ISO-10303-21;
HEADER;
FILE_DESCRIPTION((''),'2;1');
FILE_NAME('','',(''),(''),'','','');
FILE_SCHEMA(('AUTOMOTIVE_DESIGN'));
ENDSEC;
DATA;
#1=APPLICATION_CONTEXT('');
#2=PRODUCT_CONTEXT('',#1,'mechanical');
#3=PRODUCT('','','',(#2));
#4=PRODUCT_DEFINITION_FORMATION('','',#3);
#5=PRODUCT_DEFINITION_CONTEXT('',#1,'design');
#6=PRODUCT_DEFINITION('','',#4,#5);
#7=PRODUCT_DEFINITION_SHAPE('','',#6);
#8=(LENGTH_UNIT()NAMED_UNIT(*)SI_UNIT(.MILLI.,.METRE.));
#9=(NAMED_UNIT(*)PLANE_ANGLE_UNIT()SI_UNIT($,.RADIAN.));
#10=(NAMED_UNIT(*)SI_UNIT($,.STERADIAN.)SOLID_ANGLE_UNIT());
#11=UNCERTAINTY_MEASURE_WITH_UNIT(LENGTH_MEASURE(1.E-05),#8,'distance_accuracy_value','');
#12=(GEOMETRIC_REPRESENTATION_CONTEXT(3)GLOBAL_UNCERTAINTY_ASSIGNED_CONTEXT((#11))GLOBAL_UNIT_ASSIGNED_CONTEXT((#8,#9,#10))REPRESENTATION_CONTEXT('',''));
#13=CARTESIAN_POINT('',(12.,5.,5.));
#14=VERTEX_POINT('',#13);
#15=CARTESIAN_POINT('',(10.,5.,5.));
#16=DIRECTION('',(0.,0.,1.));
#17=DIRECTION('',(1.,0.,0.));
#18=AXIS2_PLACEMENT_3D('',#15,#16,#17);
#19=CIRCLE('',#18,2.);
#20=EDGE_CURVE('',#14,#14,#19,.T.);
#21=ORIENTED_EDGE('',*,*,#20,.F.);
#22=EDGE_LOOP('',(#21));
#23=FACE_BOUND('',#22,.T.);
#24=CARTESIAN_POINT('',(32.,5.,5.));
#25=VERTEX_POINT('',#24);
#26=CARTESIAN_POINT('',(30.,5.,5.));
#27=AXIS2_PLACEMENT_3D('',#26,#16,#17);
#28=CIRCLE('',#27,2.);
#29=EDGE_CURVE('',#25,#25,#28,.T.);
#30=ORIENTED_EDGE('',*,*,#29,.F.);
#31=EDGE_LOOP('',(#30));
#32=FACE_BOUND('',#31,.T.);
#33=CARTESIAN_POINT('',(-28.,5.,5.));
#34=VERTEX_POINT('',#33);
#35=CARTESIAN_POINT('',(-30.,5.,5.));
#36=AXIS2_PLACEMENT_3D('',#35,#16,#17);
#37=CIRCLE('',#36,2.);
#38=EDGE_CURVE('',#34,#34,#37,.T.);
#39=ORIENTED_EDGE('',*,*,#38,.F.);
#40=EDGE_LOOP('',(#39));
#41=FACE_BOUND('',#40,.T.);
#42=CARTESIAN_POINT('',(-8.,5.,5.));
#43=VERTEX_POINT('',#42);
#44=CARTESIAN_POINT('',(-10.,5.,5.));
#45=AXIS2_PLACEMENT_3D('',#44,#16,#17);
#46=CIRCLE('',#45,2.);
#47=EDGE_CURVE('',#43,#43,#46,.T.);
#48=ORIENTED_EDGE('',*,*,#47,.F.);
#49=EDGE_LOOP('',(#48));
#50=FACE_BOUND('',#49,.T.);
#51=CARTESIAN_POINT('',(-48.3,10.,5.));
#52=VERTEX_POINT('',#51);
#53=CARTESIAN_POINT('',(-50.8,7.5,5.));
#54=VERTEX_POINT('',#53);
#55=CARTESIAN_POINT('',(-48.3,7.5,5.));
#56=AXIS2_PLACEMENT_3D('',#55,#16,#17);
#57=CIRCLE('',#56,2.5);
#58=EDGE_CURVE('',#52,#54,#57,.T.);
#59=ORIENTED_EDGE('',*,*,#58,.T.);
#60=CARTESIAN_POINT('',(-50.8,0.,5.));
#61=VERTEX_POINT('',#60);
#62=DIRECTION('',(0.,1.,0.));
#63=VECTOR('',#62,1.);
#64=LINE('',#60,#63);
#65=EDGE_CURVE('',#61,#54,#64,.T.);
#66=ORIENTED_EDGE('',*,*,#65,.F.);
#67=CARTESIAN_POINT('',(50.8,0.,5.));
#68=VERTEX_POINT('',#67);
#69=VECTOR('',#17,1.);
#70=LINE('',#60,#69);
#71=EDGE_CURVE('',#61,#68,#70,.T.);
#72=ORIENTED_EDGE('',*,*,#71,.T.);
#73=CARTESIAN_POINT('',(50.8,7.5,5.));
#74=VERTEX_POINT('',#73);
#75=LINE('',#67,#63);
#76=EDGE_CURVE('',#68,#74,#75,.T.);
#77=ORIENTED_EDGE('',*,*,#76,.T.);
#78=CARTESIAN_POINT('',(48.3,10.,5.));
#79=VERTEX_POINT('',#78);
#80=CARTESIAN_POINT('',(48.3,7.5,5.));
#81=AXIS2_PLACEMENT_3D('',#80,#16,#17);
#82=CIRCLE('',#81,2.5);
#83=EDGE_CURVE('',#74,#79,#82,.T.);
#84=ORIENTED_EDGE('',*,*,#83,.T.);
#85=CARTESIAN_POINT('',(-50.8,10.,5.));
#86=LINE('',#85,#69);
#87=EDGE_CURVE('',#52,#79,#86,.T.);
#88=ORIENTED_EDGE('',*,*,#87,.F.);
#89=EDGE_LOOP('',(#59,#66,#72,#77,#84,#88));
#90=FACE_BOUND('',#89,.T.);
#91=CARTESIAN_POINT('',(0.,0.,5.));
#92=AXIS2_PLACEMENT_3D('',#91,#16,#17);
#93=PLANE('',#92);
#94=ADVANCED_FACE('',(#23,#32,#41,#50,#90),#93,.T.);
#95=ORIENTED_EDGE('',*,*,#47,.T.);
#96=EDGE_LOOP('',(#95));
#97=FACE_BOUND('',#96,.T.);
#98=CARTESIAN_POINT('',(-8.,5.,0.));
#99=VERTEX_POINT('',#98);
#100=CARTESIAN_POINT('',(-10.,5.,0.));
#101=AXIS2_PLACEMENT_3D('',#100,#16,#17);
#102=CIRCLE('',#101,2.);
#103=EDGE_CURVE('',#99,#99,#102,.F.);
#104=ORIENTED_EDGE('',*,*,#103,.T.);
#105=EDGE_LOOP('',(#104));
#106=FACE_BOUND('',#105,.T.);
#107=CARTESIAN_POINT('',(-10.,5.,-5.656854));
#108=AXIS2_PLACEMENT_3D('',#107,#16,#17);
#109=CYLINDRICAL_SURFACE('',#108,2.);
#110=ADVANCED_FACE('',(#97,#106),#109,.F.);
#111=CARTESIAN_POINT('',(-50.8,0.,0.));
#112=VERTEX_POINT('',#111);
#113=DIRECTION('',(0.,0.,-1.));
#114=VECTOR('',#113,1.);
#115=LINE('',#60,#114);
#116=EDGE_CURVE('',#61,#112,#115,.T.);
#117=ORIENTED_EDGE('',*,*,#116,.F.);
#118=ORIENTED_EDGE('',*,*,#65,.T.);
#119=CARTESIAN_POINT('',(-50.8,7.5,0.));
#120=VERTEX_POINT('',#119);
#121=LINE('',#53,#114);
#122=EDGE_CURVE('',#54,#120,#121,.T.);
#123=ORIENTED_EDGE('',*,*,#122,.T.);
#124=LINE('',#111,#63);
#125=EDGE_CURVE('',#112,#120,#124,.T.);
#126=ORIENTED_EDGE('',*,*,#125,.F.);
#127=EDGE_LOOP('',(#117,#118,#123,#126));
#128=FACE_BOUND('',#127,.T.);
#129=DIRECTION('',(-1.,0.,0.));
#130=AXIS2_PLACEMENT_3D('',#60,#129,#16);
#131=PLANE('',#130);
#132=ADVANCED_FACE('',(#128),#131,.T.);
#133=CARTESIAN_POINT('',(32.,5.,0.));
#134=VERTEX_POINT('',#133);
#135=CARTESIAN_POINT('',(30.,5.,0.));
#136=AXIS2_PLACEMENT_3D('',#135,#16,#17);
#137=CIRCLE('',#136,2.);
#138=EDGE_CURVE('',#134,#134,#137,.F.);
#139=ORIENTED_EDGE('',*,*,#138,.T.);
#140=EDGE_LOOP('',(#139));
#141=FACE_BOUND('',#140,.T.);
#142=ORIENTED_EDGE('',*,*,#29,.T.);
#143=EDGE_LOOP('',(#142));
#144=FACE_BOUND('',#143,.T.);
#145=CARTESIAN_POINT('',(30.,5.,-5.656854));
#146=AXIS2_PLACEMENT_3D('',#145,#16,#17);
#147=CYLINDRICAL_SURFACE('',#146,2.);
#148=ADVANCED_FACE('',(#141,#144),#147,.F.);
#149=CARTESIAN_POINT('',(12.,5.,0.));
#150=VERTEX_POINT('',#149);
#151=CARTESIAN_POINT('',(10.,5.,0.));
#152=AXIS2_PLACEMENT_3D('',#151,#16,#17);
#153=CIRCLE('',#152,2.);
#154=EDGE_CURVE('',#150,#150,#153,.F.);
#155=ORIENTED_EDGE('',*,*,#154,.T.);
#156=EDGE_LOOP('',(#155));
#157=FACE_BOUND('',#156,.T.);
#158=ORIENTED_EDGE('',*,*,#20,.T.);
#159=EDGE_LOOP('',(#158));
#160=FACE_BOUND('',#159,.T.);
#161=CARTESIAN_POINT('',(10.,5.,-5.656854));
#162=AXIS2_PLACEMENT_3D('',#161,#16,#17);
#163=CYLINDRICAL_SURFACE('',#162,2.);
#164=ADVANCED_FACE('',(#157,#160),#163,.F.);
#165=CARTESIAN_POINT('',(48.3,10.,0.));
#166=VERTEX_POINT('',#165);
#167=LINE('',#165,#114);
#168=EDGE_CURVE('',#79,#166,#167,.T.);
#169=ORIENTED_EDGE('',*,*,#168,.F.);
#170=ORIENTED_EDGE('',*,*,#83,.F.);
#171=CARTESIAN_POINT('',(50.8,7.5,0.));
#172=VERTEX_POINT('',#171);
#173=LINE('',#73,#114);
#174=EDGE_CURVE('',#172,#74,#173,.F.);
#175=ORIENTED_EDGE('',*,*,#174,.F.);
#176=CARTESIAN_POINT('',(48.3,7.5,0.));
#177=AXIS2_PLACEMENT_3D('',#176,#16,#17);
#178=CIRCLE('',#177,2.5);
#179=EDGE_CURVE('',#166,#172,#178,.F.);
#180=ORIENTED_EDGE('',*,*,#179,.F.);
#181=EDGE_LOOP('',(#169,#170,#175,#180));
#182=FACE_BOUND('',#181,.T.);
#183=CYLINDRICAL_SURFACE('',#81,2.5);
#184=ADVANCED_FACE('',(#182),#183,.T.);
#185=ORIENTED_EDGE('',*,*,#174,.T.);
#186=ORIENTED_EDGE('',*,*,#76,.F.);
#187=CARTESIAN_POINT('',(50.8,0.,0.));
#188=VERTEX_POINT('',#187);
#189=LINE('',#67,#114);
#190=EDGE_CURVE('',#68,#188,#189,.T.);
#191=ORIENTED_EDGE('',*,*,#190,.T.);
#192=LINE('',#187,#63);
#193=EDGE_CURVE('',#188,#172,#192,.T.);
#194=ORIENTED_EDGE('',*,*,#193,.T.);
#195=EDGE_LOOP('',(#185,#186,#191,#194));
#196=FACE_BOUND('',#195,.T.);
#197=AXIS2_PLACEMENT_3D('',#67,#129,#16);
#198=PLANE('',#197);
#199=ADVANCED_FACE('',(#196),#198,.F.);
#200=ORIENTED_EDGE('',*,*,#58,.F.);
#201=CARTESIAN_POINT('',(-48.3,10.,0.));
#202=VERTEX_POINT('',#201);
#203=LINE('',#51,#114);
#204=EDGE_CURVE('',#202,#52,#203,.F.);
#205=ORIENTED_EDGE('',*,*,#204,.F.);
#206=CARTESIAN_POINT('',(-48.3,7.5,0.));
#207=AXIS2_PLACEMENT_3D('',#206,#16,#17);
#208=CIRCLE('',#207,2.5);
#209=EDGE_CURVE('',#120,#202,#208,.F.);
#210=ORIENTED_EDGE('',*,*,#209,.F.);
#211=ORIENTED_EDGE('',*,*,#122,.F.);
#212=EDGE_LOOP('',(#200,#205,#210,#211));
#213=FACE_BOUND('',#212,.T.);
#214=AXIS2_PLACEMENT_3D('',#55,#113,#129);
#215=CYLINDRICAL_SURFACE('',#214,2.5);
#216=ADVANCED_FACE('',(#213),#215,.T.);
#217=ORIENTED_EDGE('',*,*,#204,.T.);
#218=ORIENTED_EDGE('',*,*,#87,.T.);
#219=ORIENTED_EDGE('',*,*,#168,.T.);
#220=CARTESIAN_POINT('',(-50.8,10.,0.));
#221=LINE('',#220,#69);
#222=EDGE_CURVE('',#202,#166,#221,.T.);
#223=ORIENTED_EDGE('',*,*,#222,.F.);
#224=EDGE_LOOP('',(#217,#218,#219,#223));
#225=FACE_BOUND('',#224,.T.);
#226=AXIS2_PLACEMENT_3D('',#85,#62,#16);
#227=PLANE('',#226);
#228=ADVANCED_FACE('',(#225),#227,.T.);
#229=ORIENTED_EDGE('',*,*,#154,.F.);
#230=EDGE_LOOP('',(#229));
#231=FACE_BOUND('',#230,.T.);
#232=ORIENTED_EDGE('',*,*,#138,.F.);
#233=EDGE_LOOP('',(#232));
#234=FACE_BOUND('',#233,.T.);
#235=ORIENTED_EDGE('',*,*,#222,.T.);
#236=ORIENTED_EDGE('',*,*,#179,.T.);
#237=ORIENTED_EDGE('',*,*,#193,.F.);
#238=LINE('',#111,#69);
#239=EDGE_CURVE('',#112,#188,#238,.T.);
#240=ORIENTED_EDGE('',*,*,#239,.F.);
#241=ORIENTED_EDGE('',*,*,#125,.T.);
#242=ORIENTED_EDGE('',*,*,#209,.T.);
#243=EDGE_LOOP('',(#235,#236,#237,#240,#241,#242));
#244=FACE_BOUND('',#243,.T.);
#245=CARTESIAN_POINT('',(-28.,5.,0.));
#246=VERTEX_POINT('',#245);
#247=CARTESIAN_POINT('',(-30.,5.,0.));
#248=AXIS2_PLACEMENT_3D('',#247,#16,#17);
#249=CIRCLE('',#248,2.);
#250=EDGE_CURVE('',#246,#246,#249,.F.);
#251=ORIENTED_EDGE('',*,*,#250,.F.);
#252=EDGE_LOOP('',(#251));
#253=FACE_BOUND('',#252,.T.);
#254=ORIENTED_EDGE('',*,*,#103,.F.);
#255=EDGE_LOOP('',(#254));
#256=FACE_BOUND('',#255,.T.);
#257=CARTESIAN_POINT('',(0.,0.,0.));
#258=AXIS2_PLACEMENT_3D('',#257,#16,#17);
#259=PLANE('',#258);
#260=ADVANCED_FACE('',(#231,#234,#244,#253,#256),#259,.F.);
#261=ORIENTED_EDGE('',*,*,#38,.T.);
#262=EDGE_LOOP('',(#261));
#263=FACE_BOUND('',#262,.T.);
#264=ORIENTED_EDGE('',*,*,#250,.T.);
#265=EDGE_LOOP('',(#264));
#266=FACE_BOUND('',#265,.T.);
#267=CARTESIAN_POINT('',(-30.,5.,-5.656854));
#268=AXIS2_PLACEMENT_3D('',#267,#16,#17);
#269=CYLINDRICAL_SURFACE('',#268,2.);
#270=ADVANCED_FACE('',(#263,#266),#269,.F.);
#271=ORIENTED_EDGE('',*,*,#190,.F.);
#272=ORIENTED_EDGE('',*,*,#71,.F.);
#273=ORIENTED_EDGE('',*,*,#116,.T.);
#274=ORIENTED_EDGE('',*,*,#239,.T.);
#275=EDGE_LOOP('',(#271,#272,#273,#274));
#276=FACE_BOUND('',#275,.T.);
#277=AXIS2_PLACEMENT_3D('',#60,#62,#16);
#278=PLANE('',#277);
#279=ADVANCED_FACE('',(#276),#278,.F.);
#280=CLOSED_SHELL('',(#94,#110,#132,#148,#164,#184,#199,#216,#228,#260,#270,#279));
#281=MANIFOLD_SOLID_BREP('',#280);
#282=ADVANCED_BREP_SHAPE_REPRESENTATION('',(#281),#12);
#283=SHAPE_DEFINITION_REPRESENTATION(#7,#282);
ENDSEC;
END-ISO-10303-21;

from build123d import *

# Parameters (mm, degrees)
SKETCH1_W           = 101.6
SKETCH1_H           = 10
BOSS_EXTRUDE1_DEPTH = 5
SKETCH2_R           = 2
CUT_EXTRUDE1_DEPTH  = 5
FILLET1_R           = 2.5


with BuildPart() as part:
    # Sketch1 → Boss-Extrude1 (new body)
    with BuildSketch(Plane.XY):
        with Locations((0, 5)):
            Rectangle(SKETCH1_W, SKETCH1_H)
    extrude(amount=BOSS_EXTRUDE1_DEPTH)

    # Sketch2 → Cut-Extrude1 (cut)
    with BuildSketch(Plane.XY.offset(5)):
        with Locations((-30, 5)):
            Circle(SKETCH2_R)
        with Locations((-10, 5)):
            Circle(SKETCH2_R)
        with Locations((10, 5)):
            Circle(SKETCH2_R)
        with Locations((30, 5)):
            Circle(SKETCH2_R)
    extrude(amount=-CUT_EXTRUDE1_DEPTH, mode=Mode.SUBTRACT)

    # Fillet1
    fillet1_edges = [part.edges().sort_by_distance(p)[0] for p in [
        (-50.8, 10, 2.5),
        (50.8, 10, 2.5),
    ]]
    fillet(fillet1_edges, radius=FILLET1_R)


solid = part.part
